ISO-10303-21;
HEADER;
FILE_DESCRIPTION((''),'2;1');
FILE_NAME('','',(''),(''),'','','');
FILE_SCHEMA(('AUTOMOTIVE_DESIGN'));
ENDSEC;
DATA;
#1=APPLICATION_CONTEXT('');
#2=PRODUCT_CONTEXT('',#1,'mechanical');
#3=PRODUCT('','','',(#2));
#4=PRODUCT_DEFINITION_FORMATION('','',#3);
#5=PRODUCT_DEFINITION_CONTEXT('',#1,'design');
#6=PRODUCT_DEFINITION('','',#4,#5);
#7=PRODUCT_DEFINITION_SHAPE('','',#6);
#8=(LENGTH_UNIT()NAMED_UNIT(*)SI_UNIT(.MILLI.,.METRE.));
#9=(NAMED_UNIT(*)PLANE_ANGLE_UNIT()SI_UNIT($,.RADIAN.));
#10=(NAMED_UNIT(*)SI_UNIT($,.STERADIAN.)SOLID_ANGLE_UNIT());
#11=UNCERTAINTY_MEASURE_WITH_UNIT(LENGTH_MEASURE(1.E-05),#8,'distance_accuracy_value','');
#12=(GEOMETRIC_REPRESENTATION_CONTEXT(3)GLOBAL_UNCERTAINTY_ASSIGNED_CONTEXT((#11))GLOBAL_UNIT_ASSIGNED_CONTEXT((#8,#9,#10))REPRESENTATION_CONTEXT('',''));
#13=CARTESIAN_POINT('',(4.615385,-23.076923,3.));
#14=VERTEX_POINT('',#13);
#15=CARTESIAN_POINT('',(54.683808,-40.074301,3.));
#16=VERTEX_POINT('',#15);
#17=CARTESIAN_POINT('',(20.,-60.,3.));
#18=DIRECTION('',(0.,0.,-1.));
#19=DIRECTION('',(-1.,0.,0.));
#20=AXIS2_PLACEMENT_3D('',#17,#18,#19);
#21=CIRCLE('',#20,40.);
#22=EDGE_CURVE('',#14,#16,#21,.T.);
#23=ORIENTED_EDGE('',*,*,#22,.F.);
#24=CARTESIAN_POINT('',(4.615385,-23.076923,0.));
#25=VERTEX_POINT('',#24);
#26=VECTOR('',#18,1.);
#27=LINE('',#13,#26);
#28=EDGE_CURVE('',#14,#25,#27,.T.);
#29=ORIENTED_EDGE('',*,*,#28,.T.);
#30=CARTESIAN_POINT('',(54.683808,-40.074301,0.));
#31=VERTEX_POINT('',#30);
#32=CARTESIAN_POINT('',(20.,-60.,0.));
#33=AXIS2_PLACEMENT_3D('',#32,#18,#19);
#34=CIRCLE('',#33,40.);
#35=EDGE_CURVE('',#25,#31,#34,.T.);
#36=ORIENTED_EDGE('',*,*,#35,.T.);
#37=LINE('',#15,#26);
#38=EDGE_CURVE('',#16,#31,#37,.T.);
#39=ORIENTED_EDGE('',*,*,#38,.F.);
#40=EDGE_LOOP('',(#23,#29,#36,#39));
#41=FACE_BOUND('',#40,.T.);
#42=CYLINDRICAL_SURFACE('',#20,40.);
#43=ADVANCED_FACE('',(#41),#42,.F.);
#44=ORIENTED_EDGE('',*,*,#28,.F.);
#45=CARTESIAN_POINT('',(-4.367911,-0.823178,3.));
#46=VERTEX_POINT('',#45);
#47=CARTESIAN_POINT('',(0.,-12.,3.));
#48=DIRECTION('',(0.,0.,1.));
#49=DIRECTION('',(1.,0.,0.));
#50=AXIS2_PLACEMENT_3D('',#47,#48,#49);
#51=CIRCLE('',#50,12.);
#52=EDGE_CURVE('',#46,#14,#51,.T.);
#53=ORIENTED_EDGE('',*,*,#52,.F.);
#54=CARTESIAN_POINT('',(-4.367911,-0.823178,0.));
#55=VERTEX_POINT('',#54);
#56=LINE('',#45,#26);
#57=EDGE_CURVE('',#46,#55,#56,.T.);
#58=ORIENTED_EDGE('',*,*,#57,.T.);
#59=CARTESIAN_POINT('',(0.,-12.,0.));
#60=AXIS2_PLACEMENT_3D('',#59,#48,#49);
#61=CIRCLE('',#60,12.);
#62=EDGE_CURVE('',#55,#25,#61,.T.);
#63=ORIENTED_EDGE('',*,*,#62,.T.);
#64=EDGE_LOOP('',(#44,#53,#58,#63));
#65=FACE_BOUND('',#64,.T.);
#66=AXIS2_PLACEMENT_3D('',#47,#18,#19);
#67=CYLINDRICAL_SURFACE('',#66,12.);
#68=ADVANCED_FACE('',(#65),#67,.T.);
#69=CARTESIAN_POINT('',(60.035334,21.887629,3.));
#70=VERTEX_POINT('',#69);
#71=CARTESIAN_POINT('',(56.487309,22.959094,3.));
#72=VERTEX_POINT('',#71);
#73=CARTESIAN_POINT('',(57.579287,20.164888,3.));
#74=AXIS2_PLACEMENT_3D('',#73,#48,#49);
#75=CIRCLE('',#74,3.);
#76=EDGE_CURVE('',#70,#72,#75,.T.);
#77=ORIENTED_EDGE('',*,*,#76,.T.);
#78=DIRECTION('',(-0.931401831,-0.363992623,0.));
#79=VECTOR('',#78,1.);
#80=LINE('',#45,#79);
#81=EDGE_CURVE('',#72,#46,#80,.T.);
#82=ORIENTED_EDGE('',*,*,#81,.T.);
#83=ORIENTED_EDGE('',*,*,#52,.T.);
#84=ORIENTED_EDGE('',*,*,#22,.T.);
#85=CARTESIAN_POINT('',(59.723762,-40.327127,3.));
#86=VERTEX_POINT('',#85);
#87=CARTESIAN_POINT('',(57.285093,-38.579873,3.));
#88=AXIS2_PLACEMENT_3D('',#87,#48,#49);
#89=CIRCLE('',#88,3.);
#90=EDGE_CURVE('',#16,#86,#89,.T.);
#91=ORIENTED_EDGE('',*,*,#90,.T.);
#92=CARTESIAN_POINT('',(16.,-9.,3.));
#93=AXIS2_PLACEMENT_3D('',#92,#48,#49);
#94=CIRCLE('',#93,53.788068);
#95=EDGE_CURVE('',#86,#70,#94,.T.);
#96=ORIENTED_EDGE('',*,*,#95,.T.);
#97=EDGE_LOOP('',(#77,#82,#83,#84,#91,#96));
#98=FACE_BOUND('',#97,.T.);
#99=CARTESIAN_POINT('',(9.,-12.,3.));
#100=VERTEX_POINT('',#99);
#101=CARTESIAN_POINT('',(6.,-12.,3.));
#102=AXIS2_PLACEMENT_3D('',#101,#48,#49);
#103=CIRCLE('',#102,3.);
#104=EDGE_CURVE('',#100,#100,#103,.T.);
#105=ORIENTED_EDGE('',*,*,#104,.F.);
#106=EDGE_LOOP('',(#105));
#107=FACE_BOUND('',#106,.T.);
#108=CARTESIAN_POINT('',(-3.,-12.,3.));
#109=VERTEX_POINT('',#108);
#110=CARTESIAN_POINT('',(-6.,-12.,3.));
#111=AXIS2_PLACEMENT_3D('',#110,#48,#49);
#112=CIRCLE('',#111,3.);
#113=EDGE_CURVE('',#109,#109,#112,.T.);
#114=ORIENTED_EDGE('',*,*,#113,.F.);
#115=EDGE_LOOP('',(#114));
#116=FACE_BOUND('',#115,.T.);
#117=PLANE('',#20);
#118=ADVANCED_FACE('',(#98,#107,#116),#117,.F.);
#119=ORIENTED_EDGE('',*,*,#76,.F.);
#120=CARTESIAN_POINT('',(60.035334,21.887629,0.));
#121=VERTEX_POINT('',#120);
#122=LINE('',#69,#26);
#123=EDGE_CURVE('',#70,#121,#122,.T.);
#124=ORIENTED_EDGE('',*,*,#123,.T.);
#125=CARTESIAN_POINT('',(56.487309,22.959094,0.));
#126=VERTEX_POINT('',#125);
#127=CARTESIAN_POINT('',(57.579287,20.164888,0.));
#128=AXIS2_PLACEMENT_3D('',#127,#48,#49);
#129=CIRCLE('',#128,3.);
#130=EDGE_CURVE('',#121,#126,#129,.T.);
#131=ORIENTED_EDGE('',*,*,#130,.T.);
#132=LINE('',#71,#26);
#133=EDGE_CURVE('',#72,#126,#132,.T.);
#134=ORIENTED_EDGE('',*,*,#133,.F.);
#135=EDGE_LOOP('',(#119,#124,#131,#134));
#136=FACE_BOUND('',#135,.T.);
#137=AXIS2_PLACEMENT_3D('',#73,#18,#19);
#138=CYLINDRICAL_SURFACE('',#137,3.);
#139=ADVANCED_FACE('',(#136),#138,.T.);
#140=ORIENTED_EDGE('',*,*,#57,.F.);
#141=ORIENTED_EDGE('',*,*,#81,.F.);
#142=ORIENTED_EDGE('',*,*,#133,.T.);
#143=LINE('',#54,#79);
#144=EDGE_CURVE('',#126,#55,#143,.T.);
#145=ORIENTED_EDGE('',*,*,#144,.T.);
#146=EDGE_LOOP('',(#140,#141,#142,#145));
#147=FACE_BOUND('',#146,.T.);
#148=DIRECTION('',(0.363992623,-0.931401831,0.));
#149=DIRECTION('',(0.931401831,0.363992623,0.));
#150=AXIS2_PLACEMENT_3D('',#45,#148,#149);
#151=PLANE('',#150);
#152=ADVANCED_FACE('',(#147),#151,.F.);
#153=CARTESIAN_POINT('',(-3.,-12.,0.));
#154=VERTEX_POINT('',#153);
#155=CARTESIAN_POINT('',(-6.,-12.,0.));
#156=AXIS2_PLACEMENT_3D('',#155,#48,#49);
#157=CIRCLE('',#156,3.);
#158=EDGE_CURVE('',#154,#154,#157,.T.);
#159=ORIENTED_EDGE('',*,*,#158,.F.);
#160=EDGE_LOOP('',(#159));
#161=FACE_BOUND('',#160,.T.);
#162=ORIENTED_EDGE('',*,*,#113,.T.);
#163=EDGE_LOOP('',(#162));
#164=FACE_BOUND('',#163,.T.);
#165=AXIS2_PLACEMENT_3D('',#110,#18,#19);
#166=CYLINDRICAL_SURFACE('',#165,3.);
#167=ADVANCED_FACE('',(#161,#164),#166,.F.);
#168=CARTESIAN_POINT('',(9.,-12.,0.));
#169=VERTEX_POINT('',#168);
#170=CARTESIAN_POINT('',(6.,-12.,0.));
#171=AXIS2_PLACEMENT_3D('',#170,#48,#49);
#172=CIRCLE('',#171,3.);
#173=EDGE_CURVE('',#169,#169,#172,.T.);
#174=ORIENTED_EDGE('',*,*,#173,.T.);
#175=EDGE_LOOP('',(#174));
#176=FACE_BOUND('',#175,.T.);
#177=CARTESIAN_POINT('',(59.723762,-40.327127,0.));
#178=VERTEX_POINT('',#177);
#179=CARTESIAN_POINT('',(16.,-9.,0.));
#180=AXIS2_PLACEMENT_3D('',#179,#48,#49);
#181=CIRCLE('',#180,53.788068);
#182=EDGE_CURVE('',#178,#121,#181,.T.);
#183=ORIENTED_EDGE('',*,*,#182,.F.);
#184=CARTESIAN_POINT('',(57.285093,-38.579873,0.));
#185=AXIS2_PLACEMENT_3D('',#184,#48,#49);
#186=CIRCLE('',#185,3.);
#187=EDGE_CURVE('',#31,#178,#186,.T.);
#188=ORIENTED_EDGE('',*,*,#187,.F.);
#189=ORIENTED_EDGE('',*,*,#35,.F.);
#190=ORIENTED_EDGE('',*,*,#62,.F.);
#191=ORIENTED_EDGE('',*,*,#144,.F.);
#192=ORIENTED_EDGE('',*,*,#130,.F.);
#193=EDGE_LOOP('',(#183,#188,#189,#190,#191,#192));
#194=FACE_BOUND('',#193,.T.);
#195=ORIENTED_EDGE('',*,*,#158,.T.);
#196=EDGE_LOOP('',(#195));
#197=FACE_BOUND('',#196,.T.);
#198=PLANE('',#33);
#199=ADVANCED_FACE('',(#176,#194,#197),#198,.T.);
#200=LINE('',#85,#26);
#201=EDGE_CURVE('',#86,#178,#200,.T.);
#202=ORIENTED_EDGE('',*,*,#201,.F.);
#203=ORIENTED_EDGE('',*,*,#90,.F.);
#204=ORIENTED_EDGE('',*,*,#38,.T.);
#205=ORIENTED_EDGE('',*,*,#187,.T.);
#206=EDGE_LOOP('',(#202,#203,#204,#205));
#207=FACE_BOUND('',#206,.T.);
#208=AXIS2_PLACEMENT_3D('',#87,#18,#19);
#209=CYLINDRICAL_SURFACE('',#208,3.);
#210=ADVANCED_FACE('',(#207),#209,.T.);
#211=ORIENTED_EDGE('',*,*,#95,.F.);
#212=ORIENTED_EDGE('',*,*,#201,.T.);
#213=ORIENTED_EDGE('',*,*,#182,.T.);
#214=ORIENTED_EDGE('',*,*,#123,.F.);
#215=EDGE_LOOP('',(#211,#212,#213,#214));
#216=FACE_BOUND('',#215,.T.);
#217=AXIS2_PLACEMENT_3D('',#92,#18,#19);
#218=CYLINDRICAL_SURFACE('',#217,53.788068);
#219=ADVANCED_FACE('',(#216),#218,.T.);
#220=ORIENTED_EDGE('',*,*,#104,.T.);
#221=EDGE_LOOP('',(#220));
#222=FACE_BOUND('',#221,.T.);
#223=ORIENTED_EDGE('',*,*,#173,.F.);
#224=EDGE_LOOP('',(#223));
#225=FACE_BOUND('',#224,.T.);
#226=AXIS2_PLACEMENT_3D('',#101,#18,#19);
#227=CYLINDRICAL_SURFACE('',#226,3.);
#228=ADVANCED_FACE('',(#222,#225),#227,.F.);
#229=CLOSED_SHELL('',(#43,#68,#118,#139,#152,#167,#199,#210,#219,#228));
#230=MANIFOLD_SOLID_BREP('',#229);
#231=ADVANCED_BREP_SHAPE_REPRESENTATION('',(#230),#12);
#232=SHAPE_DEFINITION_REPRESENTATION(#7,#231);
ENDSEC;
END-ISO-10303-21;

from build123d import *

# Parameters (mm, degrees)
SKETCH1_R           = 3
BOSS_EXTRUDE1_DEPTH = 3


with BuildPart() as part:
    # Sketch1 → Boss-Extrude1 (new body)
    with BuildSketch(Plane(origin=(0, 0, 0), x_dir=(0, 1, 0), z_dir=(0, 0, 1))):
        with BuildLine():
            Line((-0.823178029, 4.367911471), (22.959093686, -56.487309327))
            ThreePointArc((22.959093686, -56.487309327), (23.036789975, -58.446570398), (21.887628759, -60.035333804))
            ThreePointArc((21.887628759, -60.035333804), (-9.269367484, -69.787393269), (-40.327126668, -59.723762055))
            ThreePointArc((-40.327126668, -59.723762055), (-41.576105768, -57.134789232), (-40.074300788, -54.683807619))
            ThreePointArc((-40.074300788, -54.683807619), (-22.12312602, -32.858554253), (-23.076923077, -4.615384615))
            ThreePointArc((-23.076923077, -4.615384615), (-16.491925767, 11.12756051), (-0.823178029, 4.367911471))
        make_face()
        with Locations(Location((-12, 6, 0), (0, 0, 270))):
            Circle(SKETCH1_R, mode=Mode.SUBTRACT)
        with Locations(Location((-12, -6, 0), (0, 0, 270))):
            Circle(SKETCH1_R, mode=Mode.SUBTRACT)
    extrude(amount=BOSS_EXTRUDE1_DEPTH)


solid = part.part
